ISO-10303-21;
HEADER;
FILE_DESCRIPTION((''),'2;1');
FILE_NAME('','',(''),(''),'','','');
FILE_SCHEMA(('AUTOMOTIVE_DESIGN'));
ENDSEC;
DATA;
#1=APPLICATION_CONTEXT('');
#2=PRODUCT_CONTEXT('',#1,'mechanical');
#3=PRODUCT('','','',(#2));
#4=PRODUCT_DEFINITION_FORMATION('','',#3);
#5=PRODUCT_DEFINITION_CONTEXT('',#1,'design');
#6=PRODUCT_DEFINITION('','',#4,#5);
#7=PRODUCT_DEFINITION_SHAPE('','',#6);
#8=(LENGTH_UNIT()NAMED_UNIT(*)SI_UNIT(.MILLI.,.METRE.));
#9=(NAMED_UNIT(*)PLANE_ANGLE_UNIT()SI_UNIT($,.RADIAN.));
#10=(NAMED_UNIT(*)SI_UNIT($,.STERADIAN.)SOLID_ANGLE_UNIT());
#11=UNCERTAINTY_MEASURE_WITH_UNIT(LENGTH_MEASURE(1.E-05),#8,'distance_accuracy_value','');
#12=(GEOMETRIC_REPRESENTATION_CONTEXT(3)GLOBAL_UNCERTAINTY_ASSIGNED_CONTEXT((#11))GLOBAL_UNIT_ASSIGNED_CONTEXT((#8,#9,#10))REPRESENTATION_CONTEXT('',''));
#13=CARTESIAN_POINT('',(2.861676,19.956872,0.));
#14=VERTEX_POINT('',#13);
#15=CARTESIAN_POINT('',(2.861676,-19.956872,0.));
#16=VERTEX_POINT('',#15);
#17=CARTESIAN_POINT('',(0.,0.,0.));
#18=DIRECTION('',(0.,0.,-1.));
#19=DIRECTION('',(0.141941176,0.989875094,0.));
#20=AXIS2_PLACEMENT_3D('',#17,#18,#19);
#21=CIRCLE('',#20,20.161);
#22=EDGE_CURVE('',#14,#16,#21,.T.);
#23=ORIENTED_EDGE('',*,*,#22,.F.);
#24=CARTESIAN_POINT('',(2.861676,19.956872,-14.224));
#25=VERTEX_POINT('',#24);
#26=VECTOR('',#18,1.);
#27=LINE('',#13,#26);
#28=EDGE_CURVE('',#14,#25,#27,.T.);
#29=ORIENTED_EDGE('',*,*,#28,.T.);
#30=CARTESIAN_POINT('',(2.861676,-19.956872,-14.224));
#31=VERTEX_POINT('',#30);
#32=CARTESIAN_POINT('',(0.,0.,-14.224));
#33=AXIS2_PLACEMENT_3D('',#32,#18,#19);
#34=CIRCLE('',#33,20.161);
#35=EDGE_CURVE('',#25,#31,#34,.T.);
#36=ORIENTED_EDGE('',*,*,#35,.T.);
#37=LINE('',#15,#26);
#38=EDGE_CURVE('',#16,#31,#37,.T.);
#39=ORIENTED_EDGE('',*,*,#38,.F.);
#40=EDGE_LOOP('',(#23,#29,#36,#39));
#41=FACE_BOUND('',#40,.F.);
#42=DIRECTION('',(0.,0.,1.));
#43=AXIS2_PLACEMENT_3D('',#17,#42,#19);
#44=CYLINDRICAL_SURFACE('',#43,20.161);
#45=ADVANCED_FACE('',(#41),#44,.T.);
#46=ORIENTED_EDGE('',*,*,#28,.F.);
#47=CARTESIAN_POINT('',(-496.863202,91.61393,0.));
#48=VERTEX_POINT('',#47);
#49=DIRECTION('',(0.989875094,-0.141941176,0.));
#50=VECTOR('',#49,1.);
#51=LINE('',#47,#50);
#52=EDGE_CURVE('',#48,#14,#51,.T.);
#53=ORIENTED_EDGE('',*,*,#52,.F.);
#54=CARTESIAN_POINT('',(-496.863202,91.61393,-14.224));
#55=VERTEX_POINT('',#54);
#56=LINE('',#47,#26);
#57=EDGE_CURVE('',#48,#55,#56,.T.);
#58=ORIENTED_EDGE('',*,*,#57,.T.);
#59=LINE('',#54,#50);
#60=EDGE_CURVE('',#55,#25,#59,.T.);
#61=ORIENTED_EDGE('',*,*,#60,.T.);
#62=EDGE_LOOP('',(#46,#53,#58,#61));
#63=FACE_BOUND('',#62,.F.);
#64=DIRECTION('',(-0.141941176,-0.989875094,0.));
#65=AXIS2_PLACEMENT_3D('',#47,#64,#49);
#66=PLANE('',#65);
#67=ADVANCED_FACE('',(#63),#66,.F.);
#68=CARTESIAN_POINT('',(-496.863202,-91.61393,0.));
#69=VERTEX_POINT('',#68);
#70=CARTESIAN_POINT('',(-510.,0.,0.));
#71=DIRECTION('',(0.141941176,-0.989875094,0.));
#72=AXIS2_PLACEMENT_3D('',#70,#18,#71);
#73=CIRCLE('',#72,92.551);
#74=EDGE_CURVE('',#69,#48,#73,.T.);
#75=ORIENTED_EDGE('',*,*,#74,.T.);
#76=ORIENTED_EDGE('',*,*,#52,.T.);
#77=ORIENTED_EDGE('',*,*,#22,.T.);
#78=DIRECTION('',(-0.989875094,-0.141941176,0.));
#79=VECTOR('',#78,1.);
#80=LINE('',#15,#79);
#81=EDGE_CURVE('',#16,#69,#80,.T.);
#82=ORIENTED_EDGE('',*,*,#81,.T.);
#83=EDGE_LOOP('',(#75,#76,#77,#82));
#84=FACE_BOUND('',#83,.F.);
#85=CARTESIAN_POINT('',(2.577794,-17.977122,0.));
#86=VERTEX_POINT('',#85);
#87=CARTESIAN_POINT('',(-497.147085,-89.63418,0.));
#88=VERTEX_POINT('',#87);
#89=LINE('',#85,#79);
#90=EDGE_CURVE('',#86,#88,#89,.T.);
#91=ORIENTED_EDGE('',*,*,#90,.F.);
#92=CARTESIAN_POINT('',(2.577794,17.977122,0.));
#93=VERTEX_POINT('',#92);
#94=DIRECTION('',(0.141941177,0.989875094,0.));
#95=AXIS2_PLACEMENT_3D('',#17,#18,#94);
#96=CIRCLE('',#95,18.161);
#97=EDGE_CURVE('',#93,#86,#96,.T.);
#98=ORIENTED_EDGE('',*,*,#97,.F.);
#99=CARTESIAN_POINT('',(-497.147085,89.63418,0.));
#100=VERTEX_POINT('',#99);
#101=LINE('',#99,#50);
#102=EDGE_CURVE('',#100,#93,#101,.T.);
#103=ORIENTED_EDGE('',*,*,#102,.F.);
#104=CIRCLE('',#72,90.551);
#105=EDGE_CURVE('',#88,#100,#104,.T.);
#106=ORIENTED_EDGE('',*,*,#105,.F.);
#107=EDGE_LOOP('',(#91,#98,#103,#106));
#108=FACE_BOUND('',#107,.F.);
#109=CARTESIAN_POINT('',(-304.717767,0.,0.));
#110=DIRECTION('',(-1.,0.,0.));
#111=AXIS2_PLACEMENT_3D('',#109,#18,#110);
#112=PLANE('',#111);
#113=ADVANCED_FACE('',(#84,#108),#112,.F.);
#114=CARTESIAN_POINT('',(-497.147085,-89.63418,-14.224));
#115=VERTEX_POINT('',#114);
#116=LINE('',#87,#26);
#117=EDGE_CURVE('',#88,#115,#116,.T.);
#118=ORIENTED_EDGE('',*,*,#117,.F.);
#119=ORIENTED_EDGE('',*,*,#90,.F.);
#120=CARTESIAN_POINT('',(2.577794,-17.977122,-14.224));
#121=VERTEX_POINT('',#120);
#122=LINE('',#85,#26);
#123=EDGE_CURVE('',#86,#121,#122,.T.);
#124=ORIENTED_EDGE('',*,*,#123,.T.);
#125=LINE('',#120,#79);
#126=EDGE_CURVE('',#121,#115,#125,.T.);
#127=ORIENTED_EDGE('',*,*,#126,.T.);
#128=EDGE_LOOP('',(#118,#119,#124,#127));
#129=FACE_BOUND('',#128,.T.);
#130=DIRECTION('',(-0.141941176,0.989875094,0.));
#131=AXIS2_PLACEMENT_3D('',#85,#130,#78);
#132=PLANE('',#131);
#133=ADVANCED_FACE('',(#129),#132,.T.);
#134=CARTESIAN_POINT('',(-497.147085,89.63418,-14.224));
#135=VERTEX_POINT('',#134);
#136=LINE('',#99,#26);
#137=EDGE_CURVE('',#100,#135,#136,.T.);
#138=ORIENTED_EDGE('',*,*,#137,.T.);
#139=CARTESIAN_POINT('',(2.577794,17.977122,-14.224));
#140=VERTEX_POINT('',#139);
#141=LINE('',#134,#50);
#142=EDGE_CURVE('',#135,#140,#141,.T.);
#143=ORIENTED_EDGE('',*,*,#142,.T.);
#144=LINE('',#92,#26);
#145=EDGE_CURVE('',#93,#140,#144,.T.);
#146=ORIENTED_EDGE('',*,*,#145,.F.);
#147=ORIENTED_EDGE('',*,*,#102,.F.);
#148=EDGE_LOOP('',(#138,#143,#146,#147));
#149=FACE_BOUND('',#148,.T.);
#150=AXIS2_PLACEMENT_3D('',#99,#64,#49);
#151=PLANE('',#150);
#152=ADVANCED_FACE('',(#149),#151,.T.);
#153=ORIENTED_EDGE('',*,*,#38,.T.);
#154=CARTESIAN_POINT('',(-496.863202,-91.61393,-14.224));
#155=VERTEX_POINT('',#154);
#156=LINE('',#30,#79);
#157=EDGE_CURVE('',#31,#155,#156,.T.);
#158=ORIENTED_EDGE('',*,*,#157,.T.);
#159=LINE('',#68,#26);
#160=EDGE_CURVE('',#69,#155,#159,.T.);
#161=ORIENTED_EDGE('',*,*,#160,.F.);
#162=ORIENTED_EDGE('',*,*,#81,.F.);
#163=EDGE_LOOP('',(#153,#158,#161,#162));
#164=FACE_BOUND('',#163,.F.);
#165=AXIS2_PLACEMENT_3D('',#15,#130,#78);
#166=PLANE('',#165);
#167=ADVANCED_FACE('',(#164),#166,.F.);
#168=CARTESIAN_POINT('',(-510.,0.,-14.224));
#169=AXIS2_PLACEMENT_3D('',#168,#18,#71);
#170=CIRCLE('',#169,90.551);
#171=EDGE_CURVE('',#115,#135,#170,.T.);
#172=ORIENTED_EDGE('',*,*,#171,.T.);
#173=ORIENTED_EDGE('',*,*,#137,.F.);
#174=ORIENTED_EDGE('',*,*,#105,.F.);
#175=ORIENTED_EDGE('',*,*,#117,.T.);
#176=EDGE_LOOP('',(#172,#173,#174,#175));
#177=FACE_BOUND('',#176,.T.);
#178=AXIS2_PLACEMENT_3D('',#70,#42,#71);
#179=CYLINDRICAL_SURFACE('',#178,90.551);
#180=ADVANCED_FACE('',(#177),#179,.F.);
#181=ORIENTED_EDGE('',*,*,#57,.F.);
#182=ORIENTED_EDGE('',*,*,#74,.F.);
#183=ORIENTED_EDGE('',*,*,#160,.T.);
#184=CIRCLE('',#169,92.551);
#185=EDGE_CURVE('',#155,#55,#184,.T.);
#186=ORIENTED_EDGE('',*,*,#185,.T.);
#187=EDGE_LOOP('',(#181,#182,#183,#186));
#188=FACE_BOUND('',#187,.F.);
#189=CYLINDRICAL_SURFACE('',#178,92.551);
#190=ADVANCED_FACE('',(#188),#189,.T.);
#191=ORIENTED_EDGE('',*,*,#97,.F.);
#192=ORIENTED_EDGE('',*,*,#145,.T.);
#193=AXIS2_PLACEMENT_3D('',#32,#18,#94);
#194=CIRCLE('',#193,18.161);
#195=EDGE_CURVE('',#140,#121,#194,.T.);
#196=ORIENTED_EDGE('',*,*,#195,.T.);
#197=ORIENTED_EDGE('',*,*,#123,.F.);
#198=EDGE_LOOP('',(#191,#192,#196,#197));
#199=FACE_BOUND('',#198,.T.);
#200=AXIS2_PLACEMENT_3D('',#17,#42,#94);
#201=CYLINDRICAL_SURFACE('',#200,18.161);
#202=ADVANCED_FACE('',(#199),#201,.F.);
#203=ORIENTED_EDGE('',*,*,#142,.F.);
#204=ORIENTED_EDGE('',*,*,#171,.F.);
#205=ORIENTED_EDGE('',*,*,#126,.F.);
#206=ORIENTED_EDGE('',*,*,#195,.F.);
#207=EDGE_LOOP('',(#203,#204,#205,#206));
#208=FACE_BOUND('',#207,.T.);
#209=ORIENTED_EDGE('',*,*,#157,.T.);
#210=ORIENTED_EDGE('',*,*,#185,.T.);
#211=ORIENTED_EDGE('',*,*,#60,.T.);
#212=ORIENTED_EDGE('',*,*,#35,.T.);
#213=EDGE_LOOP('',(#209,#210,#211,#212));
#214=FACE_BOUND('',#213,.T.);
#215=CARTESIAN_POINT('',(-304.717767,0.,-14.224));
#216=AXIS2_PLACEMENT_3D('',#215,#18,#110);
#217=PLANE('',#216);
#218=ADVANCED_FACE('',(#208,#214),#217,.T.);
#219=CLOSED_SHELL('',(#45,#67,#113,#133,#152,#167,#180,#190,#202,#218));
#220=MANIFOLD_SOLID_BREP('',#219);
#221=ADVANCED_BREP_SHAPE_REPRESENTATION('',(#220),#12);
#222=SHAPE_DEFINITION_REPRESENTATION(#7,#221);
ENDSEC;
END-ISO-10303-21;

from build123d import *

# Parameters (mm, degrees)
EXTRUDE_THIN1_DEPTH = 14.224


with BuildPart() as part:
    # Sketch2 → Extrude-Thin1 (new body)
    with BuildSketch(Plane.XY):
        with BuildLine():
            Line((-496.863202176, 91.613929858), (2.861676059, 19.956871777))
            ThreePointArc((2.861676059, 19.956871777), (20.161, 0), (2.861676059, -19.956871777))
            Line((2.861676059, -19.956871777), (-496.863202176, -91.613929858))
            ThreePointArc((-496.863202176, -91.613929858), (-602.551, 0), (-496.863202176, 91.613929858))
        make_face()
        with BuildLine():
            Line((-497.147084529, 89.634179669), (2.577793706, 17.977121589))
            ThreePointArc((2.577793706, 17.977121589), (18.161, 0), (2.577793706, -17.977121589))
            Line((2.577793706, -17.977121589), (-497.147084529, -89.634179669))
            ThreePointArc((-497.147084529, -89.634179669), (-600.551, 0), (-497.147084529, 89.634179669))
        make_face(mode=Mode.SUBTRACT)
    extrude(amount=-EXTRUDE_THIN1_DEPTH)


solid = part.part
